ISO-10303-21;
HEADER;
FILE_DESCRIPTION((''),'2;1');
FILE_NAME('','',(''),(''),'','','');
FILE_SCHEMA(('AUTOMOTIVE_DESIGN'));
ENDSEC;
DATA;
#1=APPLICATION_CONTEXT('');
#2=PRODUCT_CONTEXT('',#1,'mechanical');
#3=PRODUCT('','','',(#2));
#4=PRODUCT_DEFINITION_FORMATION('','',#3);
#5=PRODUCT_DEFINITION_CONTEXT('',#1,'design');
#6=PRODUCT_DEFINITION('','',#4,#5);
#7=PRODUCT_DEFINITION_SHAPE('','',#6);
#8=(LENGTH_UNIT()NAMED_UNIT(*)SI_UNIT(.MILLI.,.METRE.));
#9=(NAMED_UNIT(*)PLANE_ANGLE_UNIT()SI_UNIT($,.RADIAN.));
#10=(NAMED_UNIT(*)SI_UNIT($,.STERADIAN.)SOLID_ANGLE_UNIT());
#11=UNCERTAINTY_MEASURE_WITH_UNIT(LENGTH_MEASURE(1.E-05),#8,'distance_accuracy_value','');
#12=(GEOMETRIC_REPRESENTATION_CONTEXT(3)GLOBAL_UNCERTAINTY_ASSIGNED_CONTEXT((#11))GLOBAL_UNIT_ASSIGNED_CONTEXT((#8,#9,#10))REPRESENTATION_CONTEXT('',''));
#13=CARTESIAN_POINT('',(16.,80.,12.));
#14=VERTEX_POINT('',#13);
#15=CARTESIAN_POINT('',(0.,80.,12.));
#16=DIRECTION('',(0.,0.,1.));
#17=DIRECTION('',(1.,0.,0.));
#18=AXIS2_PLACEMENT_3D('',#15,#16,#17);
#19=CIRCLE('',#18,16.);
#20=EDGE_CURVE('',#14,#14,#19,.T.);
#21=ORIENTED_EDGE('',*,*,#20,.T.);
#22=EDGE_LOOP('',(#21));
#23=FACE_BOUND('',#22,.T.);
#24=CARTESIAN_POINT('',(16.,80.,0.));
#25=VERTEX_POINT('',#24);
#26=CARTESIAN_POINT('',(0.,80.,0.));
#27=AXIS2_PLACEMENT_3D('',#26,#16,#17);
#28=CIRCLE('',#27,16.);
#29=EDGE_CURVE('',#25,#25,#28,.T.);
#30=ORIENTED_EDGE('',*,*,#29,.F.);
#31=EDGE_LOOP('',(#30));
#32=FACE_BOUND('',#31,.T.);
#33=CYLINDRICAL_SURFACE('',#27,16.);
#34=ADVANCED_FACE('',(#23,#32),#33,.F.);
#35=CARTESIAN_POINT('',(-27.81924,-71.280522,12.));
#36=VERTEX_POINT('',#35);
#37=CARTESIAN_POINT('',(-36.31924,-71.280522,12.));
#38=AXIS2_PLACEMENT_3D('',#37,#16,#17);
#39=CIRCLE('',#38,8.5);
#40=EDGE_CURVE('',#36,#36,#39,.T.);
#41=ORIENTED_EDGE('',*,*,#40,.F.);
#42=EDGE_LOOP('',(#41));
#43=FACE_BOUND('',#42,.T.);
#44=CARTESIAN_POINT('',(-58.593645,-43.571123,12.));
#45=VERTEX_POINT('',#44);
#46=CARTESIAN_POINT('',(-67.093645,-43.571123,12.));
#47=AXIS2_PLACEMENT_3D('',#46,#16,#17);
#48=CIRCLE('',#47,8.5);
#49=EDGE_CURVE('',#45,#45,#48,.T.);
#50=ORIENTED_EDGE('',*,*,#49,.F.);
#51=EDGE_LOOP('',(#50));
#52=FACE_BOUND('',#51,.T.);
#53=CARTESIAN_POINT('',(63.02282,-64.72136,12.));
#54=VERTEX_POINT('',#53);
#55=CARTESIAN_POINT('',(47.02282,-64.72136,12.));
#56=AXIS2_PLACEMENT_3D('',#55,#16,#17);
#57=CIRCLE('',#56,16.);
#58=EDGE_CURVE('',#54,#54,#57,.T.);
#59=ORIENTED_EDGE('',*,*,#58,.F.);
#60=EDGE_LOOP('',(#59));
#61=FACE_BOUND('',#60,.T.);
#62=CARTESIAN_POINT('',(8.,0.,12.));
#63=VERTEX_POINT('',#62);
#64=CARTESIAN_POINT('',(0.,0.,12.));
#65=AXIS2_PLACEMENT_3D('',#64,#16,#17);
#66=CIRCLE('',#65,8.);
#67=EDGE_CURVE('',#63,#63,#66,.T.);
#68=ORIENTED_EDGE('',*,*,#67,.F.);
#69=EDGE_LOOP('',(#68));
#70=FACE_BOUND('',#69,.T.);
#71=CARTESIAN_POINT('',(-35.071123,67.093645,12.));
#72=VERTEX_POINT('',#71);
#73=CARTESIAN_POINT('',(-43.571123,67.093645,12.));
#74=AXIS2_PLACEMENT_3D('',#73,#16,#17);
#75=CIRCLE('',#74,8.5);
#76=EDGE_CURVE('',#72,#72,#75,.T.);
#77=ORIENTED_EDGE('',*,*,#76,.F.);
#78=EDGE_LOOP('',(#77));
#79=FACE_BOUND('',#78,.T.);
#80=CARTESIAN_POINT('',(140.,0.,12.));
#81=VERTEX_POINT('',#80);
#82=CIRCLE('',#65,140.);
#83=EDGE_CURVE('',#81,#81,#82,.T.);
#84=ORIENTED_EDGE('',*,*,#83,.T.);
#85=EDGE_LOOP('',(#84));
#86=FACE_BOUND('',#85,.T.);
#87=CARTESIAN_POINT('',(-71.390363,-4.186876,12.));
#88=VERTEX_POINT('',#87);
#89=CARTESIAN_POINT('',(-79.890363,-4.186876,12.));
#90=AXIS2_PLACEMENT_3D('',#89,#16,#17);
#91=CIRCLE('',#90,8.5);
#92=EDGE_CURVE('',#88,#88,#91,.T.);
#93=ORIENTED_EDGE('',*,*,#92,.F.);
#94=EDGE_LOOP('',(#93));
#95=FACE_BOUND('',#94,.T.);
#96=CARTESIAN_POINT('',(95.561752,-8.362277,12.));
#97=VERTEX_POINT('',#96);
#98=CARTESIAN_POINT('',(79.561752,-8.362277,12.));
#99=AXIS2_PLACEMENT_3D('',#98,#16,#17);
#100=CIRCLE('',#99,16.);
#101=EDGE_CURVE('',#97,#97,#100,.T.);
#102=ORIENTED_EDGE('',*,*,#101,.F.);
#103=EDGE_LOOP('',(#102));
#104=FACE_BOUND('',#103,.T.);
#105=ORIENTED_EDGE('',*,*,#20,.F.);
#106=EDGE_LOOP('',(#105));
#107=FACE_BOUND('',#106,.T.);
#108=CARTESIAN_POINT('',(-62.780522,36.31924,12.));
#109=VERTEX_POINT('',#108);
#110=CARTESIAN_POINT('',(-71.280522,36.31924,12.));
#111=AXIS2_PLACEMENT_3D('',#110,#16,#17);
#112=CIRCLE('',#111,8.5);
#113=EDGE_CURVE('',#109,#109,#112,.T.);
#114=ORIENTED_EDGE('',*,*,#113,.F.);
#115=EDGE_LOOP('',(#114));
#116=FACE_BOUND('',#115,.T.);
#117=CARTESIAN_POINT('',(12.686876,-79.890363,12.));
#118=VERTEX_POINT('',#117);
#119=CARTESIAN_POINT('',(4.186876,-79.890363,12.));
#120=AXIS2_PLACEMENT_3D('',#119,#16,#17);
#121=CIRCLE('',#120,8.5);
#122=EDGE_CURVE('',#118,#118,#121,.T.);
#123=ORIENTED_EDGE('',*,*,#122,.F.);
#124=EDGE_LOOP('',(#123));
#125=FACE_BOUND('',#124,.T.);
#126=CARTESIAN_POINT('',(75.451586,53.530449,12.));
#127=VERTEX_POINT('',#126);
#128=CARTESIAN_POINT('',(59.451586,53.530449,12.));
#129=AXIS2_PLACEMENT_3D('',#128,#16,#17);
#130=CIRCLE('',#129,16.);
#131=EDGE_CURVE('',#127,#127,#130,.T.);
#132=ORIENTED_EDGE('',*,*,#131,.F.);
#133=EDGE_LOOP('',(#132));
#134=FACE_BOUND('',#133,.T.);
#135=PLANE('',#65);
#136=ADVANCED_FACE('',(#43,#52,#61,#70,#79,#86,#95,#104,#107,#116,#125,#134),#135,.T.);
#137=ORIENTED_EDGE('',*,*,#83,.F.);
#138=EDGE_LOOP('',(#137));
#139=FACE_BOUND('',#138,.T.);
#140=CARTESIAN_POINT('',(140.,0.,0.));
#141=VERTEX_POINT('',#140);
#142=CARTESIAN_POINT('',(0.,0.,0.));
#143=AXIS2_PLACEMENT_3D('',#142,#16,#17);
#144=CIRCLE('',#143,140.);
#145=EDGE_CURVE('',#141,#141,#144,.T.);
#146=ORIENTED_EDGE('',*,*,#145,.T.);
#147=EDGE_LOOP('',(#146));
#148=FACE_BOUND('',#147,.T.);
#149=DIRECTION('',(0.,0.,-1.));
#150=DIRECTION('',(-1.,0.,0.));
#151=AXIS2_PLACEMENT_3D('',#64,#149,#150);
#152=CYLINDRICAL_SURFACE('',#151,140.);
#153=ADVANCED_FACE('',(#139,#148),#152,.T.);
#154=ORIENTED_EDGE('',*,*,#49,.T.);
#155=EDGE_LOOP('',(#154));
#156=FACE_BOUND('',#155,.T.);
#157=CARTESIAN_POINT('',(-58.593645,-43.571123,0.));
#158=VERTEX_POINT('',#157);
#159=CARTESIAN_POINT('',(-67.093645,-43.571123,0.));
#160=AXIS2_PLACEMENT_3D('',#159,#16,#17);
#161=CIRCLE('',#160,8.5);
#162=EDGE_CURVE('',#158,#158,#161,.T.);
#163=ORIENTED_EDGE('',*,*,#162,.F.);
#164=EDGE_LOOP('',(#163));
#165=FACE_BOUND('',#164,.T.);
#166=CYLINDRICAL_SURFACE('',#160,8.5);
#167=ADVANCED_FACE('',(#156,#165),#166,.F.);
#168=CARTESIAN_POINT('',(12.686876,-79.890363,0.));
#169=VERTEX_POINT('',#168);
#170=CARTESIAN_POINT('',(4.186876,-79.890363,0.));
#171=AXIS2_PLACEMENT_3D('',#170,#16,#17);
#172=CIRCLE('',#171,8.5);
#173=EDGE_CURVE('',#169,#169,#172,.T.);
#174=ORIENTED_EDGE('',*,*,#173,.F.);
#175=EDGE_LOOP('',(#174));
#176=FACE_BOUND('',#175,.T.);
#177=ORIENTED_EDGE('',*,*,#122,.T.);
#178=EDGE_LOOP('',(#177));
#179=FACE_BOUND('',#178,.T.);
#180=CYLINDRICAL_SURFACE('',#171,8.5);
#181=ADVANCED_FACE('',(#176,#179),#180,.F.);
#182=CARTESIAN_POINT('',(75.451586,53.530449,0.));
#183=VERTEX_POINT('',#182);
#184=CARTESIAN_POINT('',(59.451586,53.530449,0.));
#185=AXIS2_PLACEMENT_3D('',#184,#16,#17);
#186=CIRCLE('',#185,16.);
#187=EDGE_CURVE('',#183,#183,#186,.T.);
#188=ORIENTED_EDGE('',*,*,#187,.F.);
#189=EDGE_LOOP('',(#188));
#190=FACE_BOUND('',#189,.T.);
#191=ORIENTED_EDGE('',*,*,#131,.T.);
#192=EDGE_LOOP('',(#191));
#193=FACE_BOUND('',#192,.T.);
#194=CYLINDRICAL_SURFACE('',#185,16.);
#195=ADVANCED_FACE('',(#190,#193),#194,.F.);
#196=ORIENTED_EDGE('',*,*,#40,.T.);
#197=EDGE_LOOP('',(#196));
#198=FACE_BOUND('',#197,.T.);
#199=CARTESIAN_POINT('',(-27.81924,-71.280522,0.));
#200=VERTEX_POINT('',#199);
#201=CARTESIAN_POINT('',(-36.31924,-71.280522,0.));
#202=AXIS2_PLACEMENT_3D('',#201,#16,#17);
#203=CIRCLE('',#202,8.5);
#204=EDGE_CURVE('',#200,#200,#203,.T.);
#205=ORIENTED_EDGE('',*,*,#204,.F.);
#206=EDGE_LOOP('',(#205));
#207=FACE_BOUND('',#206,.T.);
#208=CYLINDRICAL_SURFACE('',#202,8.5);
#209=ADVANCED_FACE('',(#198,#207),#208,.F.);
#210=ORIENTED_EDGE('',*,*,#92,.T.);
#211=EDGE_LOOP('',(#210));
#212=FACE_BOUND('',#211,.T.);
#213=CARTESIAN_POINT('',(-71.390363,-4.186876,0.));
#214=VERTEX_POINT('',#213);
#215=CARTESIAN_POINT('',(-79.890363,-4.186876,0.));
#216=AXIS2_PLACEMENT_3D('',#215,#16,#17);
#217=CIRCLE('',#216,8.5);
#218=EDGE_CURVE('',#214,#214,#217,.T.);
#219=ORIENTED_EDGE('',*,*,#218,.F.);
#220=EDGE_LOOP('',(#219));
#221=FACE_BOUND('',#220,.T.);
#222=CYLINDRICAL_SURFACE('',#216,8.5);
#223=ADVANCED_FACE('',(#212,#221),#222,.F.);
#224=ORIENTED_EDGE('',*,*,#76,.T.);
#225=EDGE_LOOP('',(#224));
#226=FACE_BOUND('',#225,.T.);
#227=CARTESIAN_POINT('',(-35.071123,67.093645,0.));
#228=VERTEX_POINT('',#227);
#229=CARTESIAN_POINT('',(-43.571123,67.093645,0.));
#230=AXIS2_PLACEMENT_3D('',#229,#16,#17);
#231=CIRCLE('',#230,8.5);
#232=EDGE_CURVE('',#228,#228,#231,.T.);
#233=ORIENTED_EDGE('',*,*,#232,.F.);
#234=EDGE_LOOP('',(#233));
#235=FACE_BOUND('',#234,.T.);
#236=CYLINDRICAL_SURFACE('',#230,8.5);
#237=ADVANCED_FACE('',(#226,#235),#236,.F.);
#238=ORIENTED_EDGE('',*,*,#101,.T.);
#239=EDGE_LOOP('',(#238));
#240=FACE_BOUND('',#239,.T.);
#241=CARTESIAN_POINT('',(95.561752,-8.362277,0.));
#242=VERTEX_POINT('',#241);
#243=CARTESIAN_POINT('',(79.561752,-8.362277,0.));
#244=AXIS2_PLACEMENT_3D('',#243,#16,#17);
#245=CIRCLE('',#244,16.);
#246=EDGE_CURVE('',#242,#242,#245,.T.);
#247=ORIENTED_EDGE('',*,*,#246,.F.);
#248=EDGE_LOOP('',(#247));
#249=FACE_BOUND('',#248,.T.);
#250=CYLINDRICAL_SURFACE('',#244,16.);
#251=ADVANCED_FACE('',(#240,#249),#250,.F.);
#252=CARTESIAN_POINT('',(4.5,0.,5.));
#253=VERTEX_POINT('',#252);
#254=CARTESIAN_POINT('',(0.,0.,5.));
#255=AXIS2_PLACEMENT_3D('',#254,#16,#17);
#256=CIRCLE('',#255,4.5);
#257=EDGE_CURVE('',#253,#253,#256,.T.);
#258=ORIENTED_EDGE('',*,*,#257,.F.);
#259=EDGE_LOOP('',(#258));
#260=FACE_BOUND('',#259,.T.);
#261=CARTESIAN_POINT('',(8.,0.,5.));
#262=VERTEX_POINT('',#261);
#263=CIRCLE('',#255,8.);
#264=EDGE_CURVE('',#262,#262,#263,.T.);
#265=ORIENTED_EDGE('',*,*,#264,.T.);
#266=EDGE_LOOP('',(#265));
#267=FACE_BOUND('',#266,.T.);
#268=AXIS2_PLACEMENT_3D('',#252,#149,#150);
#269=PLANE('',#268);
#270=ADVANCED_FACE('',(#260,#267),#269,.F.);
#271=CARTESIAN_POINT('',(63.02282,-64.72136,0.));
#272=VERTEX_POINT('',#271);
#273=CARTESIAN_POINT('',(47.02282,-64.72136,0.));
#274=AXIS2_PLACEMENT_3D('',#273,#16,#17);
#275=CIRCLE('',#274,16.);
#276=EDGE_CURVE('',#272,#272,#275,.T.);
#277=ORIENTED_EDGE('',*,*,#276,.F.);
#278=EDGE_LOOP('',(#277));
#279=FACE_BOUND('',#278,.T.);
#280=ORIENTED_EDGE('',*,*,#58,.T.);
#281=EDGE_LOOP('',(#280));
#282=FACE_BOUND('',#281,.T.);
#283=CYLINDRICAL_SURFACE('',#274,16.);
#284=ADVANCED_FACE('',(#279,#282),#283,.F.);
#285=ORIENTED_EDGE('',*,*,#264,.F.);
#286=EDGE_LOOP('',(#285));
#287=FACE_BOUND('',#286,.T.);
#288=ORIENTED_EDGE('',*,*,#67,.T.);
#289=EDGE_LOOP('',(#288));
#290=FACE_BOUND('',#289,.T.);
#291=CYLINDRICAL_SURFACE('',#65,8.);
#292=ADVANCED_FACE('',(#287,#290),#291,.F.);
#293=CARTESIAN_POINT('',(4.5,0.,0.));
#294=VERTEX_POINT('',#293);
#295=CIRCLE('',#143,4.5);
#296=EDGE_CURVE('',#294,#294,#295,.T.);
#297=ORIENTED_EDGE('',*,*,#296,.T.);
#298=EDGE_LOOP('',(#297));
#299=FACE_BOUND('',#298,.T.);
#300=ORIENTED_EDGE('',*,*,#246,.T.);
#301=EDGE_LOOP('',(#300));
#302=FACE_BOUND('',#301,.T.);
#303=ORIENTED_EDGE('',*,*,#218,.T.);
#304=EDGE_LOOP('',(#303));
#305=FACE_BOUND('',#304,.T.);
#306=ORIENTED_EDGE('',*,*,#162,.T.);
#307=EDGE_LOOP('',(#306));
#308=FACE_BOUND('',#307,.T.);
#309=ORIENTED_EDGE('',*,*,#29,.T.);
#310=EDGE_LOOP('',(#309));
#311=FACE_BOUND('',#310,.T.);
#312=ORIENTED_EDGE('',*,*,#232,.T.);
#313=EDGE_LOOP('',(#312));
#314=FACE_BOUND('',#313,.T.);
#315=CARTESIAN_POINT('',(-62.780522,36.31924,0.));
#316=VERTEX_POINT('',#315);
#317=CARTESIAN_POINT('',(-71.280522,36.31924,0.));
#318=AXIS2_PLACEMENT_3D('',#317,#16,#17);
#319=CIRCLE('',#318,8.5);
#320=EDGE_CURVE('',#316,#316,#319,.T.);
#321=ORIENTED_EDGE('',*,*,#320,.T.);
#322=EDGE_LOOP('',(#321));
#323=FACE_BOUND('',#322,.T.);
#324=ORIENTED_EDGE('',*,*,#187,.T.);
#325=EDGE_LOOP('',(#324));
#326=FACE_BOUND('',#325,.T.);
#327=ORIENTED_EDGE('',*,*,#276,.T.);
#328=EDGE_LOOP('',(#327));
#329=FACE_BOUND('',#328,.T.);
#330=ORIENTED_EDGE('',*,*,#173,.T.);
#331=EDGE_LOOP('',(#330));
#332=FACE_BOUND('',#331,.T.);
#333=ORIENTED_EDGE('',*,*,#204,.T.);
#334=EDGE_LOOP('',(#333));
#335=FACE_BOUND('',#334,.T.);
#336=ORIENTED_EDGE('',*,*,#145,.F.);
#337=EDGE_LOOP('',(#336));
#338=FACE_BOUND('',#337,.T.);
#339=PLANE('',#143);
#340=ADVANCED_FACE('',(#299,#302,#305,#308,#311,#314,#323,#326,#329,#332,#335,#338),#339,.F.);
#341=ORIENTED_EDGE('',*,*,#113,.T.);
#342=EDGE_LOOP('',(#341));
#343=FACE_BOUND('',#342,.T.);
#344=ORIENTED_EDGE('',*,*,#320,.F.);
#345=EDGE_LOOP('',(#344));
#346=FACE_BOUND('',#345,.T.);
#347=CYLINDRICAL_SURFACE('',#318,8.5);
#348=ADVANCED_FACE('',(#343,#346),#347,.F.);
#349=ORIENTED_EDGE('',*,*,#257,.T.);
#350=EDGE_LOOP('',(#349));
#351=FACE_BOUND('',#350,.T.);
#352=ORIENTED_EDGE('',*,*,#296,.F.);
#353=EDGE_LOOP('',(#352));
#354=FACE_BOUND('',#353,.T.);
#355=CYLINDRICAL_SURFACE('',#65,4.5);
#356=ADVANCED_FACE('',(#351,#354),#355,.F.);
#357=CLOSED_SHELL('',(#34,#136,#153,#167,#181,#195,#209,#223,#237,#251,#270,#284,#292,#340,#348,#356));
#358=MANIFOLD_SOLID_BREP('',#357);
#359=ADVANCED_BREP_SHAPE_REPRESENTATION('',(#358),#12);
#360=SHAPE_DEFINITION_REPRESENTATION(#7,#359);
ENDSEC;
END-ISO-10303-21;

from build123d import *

# Parameters (mm, degrees)
SKETCH2_R                               = 140
BOSS_EXTRUDE1_DEPTH                     = 12
SKETCH3_R                               = 16
SKETCH3_R_2                             = 8.5
CUT_EXTRUDE1_DEPTH                      = 13
CBORE_FOR_M5_HEX_HEAD_BOLT1_D           = 9
CBORE_FOR_M5_HEX_HEAD_BOLT1_CBORE_D     = 16
CBORE_FOR_M5_HEX_HEAD_BOLT1_CBORE_DEPTH = 7


with BuildPart() as part:
    # Sketch2 → Boss-Extrude1 (new body)
    with BuildSketch(Plane.XY):
        Circle(SKETCH2_R)
    extrude(amount=BOSS_EXTRUDE1_DEPTH)

    # Sketch3 → Cut-Extrude1 (cut, through all)
    with BuildSketch(Plane.XY.offset(12)):
        with Locations((59.451586038, 53.530448509)):
            Circle(SKETCH3_R)
        with Locations((0, 80)):
            Circle(SKETCH3_R)
        with Locations((79.561751629, -8.362277061)):
            Circle(SKETCH3_R)
        with Locations((47.022820183, -64.72135955)):
            Circle(SKETCH3_R)
        with Locations((4.186876499, -79.89036278)):
            Circle(SKETCH3_R_2)
        with Locations((-36.319239979, -71.280521935)):
            Circle(SKETCH3_R_2)
        with Locations((-67.093645436, -43.571122801)):
            Circle(SKETCH3_R_2)
        with Locations((-79.89036278, -4.186876499)):
            Circle(SKETCH3_R_2)
        with Locations((-71.280521935, 36.319239979)):
            Circle(SKETCH3_R_2)
        with Locations((-43.571122801, 67.093645436)):
            Circle(SKETCH3_R_2)
    extrude(amount=-CUT_EXTRUDE1_DEPTH, mode=Mode.SUBTRACT)

    # CBORE for M5 Hex Head Bolt1 (through all)
    with Locations(Plane.XY.offset(12)):
        with Locations((0, 0)):
            CounterBoreHole(CBORE_FOR_M5_HEX_HEAD_BOLT1_D / 2, CBORE_FOR_M5_HEX_HEAD_BOLT1_CBORE_D / 2, CBORE_FOR_M5_HEX_HEAD_BOLT1_CBORE_DEPTH)


solid = part.part
